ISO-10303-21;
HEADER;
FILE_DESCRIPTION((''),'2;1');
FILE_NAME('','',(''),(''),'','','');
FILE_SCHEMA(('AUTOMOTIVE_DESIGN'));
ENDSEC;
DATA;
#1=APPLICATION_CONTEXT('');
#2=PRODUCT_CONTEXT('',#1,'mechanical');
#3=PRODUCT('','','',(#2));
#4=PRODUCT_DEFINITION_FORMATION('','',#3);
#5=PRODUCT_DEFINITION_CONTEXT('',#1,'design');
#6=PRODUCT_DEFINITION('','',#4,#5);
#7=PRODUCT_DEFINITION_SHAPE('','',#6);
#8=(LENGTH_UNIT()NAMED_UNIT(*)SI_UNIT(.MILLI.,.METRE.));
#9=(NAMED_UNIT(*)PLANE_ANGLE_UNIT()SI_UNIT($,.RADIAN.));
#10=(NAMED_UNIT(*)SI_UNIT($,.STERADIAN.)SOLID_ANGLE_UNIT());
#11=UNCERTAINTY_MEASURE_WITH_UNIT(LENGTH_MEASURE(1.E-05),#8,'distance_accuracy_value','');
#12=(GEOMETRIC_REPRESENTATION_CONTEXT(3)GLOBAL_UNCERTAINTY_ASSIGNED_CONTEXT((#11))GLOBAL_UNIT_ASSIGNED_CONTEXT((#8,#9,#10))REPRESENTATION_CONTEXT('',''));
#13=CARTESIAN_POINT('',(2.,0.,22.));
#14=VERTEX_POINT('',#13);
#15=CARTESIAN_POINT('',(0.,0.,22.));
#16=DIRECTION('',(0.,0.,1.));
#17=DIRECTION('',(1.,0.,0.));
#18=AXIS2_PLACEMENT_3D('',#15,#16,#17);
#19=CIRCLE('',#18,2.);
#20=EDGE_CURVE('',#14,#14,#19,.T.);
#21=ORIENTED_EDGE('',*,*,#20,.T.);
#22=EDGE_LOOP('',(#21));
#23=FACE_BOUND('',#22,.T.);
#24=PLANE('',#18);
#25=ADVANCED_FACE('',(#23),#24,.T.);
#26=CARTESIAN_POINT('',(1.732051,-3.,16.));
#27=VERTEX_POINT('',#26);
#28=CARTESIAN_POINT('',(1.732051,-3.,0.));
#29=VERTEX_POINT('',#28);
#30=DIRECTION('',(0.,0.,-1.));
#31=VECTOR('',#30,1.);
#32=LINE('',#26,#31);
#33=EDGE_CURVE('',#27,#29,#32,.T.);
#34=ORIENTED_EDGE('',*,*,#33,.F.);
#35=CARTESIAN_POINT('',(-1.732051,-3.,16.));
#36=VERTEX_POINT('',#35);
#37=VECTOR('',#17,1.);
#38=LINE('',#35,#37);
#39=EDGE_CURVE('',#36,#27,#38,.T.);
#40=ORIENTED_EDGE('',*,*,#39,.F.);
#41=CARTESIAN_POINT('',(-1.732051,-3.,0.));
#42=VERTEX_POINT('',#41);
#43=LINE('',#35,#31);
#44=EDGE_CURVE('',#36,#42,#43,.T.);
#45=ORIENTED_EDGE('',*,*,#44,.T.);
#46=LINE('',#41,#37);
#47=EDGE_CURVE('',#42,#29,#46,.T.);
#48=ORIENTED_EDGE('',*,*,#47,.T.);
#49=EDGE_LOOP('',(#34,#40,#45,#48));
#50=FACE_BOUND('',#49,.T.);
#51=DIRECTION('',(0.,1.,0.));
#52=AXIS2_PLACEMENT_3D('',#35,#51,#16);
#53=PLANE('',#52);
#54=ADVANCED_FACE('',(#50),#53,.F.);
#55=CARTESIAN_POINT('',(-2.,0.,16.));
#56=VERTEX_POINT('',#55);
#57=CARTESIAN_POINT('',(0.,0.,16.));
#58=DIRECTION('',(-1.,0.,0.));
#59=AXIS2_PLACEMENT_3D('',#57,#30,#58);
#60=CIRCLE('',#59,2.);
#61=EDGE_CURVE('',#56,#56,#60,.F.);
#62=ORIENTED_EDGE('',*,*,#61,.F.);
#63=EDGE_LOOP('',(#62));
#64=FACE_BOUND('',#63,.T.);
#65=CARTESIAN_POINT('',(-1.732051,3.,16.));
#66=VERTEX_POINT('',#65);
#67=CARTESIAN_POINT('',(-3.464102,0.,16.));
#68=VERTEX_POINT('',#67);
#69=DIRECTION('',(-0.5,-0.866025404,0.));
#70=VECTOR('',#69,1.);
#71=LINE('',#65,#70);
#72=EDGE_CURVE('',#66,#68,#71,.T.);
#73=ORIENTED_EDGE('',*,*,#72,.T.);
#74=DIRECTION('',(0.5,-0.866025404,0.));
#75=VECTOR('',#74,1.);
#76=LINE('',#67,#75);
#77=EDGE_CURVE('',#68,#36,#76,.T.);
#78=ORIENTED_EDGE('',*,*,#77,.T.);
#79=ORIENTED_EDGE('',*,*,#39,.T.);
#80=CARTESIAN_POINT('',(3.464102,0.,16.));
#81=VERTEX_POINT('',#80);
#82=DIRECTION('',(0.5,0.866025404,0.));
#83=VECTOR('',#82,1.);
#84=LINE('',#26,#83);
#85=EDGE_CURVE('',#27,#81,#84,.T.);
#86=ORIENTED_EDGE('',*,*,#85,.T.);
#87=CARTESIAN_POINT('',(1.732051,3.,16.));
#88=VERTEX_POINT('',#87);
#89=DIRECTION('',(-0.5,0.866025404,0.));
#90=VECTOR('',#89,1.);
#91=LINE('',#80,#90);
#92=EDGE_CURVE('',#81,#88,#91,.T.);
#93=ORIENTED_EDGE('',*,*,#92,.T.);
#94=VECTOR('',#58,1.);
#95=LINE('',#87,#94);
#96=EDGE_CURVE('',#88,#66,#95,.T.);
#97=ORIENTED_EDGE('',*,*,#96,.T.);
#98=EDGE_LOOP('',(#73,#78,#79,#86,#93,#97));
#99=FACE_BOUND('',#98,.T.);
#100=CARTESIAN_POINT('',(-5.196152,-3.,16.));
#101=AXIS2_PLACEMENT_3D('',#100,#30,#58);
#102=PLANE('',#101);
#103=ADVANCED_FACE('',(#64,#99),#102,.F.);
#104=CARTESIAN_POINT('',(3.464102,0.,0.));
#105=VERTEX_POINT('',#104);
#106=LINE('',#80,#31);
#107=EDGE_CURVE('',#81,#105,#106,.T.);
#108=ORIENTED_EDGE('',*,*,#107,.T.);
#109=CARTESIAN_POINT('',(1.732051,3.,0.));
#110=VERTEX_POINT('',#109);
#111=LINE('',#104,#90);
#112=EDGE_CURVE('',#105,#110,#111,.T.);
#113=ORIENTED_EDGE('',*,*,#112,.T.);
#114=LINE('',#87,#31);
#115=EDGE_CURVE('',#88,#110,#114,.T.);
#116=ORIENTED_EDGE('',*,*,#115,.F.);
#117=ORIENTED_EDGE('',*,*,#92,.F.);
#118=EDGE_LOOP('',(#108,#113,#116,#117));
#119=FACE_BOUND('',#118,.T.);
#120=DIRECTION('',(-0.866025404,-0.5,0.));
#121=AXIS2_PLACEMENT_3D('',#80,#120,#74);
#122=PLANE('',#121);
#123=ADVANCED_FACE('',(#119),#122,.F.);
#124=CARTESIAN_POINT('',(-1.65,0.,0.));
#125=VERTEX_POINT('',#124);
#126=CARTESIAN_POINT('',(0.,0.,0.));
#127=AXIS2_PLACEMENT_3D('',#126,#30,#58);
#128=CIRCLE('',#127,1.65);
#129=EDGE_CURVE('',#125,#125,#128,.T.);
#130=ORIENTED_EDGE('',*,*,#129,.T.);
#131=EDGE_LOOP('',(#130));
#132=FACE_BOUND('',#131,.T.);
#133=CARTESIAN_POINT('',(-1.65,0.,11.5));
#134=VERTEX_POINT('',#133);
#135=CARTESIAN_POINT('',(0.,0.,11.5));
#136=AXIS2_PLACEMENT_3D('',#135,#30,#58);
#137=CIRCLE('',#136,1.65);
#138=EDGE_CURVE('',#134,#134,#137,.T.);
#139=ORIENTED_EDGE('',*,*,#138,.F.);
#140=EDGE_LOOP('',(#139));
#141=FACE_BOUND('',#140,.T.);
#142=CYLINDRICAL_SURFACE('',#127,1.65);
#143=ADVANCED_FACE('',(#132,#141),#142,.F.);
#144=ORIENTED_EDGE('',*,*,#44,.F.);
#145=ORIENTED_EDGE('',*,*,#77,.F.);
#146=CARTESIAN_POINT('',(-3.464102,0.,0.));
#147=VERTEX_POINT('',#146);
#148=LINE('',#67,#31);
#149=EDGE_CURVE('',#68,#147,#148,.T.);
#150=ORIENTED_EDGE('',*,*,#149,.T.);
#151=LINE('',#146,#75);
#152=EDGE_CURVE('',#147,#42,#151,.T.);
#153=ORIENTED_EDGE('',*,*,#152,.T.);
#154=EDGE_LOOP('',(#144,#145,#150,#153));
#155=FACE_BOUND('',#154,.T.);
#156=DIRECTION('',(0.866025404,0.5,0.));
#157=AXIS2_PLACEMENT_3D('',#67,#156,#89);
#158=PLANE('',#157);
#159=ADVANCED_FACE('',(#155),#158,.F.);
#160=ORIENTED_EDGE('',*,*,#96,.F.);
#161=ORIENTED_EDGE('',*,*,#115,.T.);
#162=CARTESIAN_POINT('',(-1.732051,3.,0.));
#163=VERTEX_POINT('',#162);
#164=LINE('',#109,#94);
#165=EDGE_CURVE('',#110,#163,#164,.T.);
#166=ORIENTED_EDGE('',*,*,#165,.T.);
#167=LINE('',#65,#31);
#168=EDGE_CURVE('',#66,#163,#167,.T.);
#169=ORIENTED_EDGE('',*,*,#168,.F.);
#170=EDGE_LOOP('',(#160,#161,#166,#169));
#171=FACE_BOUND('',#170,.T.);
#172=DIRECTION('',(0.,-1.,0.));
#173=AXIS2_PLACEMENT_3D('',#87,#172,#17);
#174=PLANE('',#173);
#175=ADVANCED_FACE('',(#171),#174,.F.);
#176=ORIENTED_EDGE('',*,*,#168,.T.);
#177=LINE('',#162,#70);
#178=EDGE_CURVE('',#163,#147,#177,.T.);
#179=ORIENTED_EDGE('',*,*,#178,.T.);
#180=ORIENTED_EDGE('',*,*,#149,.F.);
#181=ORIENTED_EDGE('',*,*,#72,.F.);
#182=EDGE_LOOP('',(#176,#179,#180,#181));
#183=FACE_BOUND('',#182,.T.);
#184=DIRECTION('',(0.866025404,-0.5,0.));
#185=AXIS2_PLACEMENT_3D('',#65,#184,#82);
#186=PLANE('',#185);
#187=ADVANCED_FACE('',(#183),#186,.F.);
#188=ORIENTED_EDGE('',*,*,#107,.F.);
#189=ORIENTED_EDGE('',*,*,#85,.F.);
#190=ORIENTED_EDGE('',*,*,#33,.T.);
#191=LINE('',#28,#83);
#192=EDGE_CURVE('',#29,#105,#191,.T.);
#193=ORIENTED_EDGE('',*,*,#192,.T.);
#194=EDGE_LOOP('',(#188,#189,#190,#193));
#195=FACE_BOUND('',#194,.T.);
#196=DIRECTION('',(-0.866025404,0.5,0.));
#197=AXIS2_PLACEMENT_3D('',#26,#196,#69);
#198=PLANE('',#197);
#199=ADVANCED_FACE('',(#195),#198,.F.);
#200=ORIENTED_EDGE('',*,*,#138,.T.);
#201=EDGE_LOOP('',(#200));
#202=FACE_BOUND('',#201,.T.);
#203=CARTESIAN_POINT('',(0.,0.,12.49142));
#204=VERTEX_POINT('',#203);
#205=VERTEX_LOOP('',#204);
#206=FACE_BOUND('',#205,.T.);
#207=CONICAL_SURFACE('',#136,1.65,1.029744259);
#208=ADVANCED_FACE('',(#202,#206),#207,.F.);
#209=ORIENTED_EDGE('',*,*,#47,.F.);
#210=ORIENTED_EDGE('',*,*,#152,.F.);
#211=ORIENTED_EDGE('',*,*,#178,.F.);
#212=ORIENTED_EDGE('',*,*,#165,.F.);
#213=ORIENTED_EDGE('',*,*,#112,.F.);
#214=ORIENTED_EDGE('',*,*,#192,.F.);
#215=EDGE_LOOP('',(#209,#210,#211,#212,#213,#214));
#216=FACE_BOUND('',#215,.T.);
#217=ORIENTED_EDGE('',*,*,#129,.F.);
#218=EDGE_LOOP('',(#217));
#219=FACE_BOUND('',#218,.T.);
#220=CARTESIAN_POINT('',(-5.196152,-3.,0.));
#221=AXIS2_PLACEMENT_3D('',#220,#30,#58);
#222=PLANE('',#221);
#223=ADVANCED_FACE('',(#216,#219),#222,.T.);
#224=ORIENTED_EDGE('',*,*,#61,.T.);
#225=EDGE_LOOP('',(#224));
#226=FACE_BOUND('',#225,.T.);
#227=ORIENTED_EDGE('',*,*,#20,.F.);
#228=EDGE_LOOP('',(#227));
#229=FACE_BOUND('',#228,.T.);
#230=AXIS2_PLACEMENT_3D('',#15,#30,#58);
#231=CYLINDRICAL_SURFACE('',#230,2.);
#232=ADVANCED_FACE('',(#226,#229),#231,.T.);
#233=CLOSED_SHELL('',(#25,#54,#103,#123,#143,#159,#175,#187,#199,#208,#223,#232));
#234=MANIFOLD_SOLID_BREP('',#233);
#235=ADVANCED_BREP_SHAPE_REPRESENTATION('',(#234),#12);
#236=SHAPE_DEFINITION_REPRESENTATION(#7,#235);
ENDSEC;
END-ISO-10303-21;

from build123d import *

# Parameters (mm, degrees)
EXTRUDE_1_DEPTH        = 16
SKETCH_2_R             = 2
EXTRUDE_2_DEPTH        = 6
HOLE_WIZARD_M4_1_D     = 3.3
HOLE_WIZARD_M4_1_DEPTH = 11.5
HOLE_WIZARD_M4_1_TIP   = 0.991420021


with BuildPart() as part:
    # 草图1 → 拉伸1 (new body)
    with BuildSketch(Plane.XY):
        Polygon((1.732050808, -3), (3.464101615, 0), (1.732050808, 3), (-1.732050808, 3), (-3.464101615, 0), (-1.732050808, -3), align=None)
    extrude(amount=EXTRUDE_1_DEPTH)

    # 草图2 → 拉伸2 (add)
    with BuildSketch(Plane.XY.offset(16)):
        with Locations(Location((0, 0, 0), (0, 0, 180))):
            Circle(SKETCH_2_R)
    extrude(amount=EXTRUDE_2_DEPTH)

    # M4 螺纹孔1
    with Locations(Plane(origin=(0, 0, 0), x_dir=(-1, 0, 0), z_dir=(0, 0, -1))):
        with Locations((0, 0)):
            Hole(HOLE_WIZARD_M4_1_D / 2, depth=HOLE_WIZARD_M4_1_DEPTH)
            with Locations((0, 0, -(HOLE_WIZARD_M4_1_DEPTH + HOLE_WIZARD_M4_1_TIP / 2))):  # 118° drill point
                Cone(0, HOLE_WIZARD_M4_1_D / 2, HOLE_WIZARD_M4_1_TIP, mode=Mode.SUBTRACT)


solid = part.part
